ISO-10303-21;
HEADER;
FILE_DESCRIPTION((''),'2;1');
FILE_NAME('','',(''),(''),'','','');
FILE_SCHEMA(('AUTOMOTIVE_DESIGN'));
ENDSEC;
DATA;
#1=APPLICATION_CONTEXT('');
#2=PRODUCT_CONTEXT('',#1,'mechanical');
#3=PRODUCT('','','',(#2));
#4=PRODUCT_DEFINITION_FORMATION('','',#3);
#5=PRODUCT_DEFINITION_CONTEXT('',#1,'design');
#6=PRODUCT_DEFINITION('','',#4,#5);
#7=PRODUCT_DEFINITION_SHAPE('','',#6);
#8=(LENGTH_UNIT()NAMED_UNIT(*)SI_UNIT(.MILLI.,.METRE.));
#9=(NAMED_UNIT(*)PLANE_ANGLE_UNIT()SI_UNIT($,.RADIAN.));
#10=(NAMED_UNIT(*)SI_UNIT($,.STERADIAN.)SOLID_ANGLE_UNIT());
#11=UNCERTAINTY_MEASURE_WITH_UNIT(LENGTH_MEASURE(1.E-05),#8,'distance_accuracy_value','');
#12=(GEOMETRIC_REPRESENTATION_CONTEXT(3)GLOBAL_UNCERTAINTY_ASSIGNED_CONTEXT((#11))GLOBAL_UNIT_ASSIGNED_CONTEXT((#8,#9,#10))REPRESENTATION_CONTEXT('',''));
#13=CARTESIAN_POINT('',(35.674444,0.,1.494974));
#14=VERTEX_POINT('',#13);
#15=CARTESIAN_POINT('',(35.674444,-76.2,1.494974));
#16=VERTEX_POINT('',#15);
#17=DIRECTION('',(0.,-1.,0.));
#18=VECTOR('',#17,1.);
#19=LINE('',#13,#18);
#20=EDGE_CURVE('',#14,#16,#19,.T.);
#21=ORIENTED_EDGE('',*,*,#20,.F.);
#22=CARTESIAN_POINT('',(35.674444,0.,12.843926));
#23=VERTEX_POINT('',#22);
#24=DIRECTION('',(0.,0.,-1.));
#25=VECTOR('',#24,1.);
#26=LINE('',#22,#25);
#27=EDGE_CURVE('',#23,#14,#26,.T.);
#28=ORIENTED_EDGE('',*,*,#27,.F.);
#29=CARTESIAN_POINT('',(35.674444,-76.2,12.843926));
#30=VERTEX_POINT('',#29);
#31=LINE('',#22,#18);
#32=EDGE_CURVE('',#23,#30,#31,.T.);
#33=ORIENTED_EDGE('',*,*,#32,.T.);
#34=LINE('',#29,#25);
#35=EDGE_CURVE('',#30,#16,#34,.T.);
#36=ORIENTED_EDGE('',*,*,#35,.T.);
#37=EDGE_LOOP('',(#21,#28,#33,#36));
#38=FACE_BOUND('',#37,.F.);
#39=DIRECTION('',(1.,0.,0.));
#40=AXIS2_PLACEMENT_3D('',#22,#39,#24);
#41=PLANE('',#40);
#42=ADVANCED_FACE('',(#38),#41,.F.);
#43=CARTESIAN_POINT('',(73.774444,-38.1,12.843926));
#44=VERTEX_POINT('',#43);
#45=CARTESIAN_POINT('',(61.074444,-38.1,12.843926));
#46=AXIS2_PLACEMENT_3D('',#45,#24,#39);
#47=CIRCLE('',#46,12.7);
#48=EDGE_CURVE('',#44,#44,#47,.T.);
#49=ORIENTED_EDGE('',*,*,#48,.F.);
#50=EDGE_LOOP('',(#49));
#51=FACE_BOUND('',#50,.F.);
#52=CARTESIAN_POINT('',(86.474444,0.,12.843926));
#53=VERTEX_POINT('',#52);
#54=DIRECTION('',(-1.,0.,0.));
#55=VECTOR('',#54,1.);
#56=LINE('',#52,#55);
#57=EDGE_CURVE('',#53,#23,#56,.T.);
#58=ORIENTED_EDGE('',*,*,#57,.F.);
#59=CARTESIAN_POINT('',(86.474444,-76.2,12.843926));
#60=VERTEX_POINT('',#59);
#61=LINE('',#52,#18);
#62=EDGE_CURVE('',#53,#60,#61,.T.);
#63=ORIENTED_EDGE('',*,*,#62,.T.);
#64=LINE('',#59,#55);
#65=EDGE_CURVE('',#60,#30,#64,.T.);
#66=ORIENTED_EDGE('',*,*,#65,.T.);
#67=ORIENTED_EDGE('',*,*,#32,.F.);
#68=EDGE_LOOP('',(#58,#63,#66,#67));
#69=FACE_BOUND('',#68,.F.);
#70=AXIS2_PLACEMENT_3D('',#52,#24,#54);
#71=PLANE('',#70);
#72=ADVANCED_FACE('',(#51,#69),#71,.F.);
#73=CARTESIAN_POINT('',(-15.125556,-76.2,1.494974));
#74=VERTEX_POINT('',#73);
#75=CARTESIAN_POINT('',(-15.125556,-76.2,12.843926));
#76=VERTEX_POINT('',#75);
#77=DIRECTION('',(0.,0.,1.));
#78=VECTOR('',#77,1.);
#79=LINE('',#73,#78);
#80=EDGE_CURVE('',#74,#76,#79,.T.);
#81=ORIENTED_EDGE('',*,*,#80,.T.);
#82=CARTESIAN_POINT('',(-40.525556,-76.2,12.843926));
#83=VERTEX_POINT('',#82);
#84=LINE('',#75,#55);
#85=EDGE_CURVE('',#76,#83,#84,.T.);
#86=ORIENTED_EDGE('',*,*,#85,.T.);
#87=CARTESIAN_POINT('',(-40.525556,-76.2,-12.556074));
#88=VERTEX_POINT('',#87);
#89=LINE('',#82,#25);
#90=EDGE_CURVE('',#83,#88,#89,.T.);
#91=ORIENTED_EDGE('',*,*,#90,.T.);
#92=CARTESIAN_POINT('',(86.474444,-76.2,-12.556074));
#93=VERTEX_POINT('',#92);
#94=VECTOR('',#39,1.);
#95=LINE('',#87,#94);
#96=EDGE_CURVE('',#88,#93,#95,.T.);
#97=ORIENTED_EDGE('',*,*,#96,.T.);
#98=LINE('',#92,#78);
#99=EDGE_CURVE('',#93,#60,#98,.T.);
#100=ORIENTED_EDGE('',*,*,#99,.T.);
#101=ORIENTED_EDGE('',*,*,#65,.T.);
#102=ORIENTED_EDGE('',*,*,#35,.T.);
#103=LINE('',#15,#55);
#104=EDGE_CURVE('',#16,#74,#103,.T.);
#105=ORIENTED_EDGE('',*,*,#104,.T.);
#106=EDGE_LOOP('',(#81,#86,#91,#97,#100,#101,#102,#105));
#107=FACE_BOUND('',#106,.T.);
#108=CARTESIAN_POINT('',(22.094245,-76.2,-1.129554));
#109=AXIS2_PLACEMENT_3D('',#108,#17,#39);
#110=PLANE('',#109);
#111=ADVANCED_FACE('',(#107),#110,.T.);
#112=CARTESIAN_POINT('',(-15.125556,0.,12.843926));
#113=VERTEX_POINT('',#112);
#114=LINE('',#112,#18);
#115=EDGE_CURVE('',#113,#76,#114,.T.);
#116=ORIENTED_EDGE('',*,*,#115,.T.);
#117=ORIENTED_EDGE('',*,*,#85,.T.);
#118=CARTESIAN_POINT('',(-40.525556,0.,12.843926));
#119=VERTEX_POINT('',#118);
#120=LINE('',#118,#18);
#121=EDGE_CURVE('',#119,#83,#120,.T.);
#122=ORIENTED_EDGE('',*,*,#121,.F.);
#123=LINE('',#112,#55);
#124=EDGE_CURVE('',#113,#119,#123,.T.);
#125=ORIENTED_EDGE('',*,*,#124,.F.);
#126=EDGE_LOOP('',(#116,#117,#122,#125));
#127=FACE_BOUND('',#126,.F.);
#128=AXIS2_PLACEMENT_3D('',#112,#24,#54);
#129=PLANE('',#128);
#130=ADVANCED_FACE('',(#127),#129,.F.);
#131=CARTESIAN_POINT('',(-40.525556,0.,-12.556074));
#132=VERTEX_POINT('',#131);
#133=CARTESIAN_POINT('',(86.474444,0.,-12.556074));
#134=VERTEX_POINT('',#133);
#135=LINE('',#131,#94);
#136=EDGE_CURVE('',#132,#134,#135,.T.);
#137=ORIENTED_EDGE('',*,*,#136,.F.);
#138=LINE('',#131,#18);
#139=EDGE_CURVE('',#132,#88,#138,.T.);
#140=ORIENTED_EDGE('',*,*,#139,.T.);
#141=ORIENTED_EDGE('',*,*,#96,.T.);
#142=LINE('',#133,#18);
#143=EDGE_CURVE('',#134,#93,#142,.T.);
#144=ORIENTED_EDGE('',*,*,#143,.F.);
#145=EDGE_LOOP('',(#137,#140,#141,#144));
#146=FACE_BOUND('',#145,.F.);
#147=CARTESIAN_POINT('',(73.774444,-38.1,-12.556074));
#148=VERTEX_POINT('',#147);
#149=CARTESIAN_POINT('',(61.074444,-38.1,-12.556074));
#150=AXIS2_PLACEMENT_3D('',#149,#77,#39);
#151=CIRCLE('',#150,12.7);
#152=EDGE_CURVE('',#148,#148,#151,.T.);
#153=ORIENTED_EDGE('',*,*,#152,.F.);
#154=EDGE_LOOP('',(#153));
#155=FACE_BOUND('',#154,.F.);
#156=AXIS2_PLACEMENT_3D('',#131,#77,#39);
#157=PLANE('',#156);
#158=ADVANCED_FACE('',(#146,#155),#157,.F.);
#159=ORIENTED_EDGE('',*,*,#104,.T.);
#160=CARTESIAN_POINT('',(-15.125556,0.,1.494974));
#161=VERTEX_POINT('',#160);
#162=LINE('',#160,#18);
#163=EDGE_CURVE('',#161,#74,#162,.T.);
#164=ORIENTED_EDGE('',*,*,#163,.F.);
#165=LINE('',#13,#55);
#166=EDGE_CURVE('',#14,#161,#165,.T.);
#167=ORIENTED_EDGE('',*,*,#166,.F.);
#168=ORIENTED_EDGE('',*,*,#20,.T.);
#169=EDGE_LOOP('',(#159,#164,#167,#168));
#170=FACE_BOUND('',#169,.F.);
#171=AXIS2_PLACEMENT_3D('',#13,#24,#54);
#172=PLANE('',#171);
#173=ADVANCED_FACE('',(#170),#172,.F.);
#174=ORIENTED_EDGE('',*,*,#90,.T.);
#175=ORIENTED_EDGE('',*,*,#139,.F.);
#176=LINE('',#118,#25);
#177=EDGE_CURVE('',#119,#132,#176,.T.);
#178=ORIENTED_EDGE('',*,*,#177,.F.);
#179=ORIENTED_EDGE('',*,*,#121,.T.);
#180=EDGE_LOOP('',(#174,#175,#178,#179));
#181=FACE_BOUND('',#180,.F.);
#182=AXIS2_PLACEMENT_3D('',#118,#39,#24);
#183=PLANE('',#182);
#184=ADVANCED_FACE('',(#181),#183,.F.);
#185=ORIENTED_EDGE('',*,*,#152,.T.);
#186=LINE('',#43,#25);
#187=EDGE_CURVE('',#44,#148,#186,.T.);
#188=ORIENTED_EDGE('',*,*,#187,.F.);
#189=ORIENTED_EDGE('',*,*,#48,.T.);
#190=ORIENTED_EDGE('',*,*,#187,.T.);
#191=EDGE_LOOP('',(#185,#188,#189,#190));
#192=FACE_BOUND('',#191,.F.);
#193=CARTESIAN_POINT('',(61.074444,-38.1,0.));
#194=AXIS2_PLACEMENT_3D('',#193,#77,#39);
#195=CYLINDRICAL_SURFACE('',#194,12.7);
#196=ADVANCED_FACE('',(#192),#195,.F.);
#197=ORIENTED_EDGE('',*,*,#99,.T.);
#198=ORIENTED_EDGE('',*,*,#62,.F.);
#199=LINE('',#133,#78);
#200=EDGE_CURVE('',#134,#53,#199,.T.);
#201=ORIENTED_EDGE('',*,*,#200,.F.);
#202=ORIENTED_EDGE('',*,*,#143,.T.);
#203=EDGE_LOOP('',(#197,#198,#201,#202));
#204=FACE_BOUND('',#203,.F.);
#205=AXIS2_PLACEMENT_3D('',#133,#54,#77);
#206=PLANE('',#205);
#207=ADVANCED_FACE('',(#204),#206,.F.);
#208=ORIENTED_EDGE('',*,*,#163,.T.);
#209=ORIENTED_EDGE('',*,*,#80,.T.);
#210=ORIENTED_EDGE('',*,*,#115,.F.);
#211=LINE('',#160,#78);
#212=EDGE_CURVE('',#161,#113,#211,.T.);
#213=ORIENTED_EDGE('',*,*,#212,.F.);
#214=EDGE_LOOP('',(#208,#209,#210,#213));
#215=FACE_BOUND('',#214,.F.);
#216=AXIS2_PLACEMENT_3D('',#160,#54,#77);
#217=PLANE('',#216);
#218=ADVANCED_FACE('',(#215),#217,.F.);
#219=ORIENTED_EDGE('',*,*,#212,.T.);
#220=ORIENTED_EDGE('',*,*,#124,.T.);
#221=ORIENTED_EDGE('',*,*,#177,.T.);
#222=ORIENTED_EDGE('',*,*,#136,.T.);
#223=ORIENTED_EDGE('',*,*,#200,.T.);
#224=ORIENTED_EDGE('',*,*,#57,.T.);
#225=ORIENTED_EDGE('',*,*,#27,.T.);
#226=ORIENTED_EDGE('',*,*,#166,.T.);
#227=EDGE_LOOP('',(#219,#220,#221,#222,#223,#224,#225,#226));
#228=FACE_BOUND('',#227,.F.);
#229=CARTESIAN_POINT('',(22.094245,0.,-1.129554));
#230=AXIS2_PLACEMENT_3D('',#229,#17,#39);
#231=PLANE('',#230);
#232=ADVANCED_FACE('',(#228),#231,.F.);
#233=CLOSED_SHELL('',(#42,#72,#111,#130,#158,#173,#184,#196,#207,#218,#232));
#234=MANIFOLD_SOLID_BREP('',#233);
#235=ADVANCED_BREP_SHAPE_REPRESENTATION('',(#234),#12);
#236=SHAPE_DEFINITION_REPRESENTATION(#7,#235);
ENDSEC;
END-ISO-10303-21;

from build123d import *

# Parameters (mm, degrees)
F1_DEPTH = 76.2
F2_R     = 12.7
F3_DEPTH = 50.8
F4_DEPTH = 50.8


with BuildPart() as f1:
    # F0 (on Front) → F1 (new body)
    with BuildSketch(Plane.XZ):
        Polygon((-15.125556, 12.843926), (-40.525556, 12.843926), (-40.525556, -12.556074), (86.474444, -12.556074), (86.474444, 12.843926), (35.674444, 12.843926), (35.674444, 1.494974), (-15.125556, 1.494974), align=None)
    extrude(amount=F1_DEPTH)

    # F2 (on Top) → F3 (cut)
    with BuildSketch(Plane.XY):
        with Locations((61.074444, -38.1)):
            Circle(F2_R)
    extrude(amount=F3_DEPTH, mode=Mode.SUBTRACT)

    # F2 (on Top) → F4 (cut)
    with BuildSketch(Plane.XY):
        with Locations((61.074444, -38.1)):
            Circle(F2_R)
    extrude(amount=-F4_DEPTH, mode=Mode.SUBTRACT)


solid = f1.part
